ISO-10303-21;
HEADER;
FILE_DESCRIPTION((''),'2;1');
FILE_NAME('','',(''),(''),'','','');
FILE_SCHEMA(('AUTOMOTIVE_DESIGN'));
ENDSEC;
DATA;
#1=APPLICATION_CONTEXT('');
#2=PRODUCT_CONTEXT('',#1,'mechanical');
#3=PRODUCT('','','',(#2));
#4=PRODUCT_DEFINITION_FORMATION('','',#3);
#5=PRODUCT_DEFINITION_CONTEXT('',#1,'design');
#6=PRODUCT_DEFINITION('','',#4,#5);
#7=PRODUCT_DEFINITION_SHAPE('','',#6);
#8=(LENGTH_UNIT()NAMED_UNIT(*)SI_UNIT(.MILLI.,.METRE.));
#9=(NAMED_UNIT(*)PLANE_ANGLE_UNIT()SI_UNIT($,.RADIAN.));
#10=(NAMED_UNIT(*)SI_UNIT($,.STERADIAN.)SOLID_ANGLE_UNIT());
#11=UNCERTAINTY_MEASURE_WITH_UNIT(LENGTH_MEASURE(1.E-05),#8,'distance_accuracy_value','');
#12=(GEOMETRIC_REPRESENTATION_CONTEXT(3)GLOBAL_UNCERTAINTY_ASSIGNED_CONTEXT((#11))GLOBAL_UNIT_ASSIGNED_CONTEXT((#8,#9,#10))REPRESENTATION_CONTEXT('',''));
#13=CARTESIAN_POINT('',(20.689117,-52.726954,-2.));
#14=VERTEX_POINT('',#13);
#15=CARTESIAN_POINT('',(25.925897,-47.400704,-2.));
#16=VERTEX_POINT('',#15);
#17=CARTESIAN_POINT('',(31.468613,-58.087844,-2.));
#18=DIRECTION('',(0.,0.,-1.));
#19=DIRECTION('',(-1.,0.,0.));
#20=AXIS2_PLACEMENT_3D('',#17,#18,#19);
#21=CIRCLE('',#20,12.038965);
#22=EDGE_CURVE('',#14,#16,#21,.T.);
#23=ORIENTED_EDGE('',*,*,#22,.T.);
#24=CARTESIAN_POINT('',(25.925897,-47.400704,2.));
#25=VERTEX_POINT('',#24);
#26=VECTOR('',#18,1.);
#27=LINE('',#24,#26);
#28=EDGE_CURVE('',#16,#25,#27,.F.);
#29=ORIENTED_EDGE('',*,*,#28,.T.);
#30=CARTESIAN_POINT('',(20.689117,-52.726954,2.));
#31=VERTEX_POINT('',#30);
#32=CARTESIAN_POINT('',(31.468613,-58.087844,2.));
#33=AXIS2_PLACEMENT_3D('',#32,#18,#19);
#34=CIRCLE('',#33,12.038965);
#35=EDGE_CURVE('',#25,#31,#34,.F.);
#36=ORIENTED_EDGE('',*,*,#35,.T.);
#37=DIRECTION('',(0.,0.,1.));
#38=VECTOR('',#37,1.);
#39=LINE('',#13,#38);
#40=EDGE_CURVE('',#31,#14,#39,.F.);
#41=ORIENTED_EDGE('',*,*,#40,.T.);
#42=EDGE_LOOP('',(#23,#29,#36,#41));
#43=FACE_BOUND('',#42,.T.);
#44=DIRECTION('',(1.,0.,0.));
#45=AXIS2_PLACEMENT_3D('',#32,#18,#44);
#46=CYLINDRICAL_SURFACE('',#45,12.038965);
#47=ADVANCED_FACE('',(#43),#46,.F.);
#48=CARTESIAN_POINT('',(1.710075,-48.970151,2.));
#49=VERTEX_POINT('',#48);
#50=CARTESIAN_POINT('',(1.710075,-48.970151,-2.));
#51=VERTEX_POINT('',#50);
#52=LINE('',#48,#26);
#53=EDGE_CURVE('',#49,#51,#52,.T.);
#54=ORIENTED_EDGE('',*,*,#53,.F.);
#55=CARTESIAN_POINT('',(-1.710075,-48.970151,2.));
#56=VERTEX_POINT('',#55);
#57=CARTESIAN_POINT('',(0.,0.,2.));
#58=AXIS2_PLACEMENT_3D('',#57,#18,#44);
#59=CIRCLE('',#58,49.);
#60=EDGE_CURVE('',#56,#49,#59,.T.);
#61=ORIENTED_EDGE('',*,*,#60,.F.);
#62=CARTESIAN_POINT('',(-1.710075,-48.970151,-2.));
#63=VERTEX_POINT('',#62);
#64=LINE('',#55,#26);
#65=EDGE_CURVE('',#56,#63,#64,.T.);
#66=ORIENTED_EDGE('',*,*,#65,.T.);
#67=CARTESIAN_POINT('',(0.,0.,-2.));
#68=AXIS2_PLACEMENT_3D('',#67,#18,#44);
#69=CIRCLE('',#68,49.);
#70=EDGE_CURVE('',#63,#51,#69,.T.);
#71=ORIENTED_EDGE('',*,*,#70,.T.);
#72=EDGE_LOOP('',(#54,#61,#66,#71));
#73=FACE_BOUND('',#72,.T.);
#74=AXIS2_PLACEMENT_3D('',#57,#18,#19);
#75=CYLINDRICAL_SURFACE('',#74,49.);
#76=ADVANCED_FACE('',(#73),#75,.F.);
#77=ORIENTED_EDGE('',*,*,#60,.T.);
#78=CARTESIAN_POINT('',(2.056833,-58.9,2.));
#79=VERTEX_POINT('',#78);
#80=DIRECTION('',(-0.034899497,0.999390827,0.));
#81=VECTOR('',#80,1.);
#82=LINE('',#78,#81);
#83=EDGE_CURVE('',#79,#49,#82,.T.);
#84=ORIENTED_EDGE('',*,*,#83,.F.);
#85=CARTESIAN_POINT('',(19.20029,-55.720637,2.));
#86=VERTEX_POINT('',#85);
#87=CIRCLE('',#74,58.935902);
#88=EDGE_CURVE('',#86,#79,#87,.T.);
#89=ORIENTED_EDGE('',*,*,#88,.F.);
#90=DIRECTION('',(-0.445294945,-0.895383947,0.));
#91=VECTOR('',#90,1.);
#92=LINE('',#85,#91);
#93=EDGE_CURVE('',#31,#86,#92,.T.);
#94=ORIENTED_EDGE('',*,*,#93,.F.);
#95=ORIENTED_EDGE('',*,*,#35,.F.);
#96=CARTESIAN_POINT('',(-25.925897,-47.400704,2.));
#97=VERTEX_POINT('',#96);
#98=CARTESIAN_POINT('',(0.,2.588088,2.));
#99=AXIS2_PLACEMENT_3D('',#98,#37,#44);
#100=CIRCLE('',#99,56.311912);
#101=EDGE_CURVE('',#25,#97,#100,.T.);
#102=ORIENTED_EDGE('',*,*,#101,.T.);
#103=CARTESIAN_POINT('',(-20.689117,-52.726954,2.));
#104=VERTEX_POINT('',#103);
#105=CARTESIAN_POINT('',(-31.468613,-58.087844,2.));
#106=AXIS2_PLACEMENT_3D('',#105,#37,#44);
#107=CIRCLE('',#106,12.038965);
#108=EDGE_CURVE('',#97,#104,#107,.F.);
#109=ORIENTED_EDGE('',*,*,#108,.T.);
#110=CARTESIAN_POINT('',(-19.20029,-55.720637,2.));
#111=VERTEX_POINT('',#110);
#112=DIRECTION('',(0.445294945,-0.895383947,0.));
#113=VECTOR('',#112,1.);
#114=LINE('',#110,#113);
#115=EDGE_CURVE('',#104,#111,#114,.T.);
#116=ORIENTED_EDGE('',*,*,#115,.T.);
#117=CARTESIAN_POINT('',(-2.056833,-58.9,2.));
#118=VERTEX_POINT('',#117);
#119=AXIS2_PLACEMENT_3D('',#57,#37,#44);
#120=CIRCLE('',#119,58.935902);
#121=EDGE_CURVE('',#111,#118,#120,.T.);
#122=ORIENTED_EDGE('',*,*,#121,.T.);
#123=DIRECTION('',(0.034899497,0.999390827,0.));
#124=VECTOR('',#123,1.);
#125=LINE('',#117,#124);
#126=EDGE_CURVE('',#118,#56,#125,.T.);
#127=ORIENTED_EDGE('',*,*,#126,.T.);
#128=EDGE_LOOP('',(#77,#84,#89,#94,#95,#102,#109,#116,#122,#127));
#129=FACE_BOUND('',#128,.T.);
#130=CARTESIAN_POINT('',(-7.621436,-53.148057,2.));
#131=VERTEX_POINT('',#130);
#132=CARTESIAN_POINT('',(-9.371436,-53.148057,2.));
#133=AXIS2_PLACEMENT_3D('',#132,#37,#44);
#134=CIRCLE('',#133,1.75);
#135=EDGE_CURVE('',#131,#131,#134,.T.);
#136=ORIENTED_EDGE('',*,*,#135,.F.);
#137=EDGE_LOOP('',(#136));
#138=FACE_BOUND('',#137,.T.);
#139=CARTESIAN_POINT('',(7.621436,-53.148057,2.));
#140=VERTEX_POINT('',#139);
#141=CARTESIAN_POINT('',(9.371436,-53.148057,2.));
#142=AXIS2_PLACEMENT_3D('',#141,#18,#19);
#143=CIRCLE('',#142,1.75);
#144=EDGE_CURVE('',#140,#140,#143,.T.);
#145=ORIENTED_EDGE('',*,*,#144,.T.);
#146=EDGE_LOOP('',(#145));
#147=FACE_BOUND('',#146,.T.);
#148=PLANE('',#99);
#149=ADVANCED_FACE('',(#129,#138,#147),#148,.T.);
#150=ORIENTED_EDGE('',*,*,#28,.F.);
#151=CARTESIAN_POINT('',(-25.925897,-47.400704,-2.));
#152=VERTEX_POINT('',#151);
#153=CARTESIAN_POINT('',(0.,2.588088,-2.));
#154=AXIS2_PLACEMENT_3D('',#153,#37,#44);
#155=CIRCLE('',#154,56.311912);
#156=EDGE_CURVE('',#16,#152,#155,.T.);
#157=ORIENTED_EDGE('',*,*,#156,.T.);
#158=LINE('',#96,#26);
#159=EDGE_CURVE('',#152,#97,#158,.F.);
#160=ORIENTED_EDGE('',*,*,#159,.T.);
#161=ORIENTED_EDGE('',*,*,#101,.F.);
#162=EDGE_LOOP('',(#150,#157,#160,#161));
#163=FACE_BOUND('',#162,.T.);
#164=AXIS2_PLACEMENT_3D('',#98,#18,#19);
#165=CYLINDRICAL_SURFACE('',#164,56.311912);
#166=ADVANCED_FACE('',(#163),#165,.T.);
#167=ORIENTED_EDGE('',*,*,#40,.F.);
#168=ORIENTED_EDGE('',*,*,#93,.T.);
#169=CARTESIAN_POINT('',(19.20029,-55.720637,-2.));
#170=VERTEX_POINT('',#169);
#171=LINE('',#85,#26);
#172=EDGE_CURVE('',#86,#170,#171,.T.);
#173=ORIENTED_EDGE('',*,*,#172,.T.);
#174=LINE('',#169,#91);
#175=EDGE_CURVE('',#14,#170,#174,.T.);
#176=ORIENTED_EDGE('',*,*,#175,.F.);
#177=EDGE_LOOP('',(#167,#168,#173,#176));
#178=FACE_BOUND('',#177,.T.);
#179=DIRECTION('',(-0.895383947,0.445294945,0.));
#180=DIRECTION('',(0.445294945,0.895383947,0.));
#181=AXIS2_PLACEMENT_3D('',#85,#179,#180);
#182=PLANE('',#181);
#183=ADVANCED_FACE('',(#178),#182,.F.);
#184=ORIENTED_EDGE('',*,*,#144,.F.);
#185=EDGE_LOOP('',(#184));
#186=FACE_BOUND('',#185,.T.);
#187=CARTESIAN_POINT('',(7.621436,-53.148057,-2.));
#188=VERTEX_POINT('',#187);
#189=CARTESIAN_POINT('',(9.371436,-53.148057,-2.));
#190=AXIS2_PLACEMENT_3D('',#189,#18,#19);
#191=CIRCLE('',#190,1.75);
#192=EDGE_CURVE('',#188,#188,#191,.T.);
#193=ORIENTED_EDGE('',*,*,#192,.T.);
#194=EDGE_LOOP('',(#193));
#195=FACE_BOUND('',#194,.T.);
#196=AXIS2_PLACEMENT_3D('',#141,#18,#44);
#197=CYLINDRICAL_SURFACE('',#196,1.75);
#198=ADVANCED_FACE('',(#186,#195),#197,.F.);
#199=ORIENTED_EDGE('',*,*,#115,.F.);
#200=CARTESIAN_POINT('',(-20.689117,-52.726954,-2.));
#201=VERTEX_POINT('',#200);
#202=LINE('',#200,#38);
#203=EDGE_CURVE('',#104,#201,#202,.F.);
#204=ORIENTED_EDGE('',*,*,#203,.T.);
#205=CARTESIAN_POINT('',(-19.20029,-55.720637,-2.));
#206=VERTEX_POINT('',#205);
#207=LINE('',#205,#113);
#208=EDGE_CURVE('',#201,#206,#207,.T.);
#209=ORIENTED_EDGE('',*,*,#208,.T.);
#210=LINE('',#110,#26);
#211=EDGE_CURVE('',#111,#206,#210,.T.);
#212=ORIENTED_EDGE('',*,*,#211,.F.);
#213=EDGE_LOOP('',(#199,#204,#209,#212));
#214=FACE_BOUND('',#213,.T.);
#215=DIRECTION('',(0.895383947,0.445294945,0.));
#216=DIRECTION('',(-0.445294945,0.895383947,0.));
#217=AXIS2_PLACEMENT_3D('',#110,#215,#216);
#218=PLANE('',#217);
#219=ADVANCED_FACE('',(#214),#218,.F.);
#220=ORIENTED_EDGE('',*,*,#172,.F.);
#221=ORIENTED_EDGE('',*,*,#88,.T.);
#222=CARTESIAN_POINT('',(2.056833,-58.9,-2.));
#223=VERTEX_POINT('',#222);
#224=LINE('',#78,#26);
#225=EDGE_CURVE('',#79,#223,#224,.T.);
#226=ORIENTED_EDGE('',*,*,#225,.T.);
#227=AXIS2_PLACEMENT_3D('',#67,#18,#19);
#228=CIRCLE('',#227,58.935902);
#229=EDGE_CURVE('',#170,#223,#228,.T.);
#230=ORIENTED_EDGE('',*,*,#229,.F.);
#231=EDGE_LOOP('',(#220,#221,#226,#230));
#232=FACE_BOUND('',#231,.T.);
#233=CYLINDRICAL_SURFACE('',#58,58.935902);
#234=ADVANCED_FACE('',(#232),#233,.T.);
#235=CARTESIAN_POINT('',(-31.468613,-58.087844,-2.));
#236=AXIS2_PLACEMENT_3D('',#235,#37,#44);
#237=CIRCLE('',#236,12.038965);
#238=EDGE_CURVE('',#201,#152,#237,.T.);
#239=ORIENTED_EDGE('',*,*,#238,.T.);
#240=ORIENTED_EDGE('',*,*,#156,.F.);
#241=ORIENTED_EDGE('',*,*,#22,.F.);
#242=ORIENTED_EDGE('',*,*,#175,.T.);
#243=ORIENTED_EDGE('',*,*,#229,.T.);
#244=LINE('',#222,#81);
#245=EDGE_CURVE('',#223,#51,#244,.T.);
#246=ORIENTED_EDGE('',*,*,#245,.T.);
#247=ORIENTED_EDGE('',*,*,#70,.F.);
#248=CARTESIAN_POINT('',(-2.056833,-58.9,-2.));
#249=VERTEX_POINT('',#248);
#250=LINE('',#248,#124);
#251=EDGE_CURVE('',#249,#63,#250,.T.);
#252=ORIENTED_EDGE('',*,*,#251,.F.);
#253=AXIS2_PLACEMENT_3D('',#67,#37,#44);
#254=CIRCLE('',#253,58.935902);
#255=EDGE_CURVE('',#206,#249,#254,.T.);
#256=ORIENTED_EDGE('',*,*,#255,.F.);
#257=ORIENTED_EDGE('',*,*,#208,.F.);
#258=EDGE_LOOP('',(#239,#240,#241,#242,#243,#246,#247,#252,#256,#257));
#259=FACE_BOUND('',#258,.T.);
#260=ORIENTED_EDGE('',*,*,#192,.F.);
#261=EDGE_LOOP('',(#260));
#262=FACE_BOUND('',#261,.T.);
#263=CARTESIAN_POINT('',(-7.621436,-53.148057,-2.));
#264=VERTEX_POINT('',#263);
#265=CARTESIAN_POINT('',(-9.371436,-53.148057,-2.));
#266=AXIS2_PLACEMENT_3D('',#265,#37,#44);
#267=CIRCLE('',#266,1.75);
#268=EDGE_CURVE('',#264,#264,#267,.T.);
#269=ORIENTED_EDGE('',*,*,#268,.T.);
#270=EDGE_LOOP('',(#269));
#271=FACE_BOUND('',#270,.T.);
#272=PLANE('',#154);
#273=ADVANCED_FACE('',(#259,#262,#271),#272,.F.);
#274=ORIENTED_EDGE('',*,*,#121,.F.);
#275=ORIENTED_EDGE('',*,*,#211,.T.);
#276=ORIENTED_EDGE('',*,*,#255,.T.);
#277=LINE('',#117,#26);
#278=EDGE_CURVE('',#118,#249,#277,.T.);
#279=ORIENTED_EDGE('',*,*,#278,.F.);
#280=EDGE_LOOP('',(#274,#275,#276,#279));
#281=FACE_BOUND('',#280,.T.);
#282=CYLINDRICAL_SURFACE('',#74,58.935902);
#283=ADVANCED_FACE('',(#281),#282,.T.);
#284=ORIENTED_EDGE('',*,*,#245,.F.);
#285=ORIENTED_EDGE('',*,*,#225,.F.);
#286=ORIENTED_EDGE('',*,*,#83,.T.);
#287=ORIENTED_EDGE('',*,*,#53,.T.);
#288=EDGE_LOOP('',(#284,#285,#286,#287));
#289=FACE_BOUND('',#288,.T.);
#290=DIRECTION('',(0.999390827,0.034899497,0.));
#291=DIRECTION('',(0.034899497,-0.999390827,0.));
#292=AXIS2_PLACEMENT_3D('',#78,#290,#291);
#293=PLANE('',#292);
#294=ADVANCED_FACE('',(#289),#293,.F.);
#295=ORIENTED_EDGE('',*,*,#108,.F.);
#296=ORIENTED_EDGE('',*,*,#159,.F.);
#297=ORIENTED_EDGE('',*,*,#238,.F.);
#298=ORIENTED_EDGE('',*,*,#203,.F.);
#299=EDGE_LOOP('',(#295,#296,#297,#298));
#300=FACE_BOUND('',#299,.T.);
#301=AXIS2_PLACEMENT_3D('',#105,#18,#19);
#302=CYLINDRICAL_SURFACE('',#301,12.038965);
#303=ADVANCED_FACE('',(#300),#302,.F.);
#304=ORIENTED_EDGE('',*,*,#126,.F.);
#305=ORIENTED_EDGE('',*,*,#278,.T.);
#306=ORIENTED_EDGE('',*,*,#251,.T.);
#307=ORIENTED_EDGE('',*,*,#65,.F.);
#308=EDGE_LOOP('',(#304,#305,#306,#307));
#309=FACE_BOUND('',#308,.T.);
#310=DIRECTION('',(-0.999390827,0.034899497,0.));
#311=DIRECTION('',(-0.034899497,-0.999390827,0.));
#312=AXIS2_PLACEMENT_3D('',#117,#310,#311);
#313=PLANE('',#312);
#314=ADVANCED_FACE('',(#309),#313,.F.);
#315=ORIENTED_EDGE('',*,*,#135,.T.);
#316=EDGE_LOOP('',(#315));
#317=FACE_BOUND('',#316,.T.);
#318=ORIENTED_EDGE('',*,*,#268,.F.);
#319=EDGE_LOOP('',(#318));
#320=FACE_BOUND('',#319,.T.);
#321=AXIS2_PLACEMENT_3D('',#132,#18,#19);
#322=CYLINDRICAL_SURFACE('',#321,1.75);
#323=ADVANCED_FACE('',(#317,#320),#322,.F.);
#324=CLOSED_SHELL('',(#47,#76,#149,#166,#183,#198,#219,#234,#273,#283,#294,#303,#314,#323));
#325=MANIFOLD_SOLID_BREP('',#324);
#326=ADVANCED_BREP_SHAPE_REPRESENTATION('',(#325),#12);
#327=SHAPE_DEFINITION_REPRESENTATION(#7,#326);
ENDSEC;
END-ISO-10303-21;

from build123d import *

# Parameters (mm, degrees)
SKETCH4_R           = 1.75
BOSS_EXTRUDE1_DEPTH = 2
FILLET1_R           = 12.038964726


with BuildPart() as part:
    # Sketch4 → Boss-Extrude1 (new, symmetric)
    with BuildSketch(Plane.XY):
        with BuildLine():
            Line((-19.20029003, -55.720637345), (-22.533190866, -49.018953573))
            ThreePointArc((-22.533190866, -49.018953573), (-55.123146751, 14.097654643), (0, 58.9))
            Line((0, 58.9), (0, 49))
            ThreePointArc((0, 49), (-48.992537063, 0.855167915), (-1.710075338, -48.970150524))
            Line((-1.710075338, -48.970150524), (-2.056833323, -58.9))
            ThreePointArc((-2.056833323, -58.9), (-10.746786033, -57.947796794), (-19.20029003, -55.720637345))
        make_face()
        with Locations((-9.371436357, -53.148056637)):
            Circle(SKETCH4_R, mode=Mode.SUBTRACT)
    extrude(amount=BOSS_EXTRUDE1_DEPTH, both=True)

    # Fillet1
    fillet1_edges = [part.edges().sort_by_distance(p)[0] for p in [
        (-22.533190866, -49.018953573, 0),
    ]]
    fillet(fillet1_edges, radius=FILLET1_R)

    # Mirror1: part across plane


with BuildPart() as part_1:
    add(part.part)
    add(part.part.mirror(Plane(origin=(0, 58.9, 2), x_dir=(0, 0, 1), z_dir=(-1, 0, 0))))


solid = part_1.part
